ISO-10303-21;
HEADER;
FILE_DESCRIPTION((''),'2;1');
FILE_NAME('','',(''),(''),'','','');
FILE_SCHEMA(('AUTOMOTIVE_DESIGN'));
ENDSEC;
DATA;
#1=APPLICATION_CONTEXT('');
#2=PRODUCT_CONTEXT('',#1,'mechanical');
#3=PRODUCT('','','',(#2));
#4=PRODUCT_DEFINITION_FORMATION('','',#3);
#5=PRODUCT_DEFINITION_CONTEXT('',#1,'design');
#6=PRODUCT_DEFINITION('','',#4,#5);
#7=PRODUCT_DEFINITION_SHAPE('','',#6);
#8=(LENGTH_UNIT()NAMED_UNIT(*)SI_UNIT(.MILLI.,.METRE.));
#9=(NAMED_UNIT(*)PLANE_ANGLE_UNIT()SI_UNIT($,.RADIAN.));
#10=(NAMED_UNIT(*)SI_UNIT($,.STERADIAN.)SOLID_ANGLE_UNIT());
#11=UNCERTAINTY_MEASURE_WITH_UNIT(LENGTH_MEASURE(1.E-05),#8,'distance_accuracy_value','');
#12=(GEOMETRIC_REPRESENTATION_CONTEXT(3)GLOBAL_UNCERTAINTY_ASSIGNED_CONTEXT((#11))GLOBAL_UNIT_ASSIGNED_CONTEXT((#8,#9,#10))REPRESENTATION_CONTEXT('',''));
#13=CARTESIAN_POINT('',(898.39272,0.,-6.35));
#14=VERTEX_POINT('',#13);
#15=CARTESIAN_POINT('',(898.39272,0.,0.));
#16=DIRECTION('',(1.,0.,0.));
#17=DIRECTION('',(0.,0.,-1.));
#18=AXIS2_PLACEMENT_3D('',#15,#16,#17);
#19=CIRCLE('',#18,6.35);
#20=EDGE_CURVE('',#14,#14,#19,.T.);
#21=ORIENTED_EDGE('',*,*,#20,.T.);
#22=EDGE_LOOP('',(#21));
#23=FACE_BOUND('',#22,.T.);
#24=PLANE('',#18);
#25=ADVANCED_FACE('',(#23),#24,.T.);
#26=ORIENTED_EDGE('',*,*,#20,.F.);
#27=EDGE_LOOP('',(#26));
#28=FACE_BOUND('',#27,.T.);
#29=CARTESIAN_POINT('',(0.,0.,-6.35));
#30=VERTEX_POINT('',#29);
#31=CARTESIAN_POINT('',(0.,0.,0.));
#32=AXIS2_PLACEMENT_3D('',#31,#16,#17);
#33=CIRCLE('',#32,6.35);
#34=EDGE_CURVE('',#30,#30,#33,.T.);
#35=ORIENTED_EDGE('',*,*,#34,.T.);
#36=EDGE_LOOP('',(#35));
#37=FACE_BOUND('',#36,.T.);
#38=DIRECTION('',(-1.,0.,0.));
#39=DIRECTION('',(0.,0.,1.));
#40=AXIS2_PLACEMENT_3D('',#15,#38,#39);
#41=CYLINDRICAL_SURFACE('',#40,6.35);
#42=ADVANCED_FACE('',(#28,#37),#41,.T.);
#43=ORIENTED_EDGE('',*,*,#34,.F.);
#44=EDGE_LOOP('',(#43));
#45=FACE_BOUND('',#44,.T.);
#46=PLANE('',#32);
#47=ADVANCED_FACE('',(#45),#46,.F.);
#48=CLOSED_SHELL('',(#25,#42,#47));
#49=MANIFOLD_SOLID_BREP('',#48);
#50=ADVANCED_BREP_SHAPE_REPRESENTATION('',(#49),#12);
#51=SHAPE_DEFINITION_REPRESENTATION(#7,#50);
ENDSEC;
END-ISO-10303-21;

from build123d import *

# Parameters (mm, degrees)
SKETCH1_R           = 6.35
BOSS_EXTRUDE1_DEPTH = 898.392719524


with BuildPart() as part:
    # Sketch1 → Boss-Extrude1 (new body)
    with BuildSketch(Plane.YZ):
        with Locations(Location((0, 0, 0), (0, 0, 270))):
            Circle(SKETCH1_R)
    extrude(amount=BOSS_EXTRUDE1_DEPTH)


solid = part.part
